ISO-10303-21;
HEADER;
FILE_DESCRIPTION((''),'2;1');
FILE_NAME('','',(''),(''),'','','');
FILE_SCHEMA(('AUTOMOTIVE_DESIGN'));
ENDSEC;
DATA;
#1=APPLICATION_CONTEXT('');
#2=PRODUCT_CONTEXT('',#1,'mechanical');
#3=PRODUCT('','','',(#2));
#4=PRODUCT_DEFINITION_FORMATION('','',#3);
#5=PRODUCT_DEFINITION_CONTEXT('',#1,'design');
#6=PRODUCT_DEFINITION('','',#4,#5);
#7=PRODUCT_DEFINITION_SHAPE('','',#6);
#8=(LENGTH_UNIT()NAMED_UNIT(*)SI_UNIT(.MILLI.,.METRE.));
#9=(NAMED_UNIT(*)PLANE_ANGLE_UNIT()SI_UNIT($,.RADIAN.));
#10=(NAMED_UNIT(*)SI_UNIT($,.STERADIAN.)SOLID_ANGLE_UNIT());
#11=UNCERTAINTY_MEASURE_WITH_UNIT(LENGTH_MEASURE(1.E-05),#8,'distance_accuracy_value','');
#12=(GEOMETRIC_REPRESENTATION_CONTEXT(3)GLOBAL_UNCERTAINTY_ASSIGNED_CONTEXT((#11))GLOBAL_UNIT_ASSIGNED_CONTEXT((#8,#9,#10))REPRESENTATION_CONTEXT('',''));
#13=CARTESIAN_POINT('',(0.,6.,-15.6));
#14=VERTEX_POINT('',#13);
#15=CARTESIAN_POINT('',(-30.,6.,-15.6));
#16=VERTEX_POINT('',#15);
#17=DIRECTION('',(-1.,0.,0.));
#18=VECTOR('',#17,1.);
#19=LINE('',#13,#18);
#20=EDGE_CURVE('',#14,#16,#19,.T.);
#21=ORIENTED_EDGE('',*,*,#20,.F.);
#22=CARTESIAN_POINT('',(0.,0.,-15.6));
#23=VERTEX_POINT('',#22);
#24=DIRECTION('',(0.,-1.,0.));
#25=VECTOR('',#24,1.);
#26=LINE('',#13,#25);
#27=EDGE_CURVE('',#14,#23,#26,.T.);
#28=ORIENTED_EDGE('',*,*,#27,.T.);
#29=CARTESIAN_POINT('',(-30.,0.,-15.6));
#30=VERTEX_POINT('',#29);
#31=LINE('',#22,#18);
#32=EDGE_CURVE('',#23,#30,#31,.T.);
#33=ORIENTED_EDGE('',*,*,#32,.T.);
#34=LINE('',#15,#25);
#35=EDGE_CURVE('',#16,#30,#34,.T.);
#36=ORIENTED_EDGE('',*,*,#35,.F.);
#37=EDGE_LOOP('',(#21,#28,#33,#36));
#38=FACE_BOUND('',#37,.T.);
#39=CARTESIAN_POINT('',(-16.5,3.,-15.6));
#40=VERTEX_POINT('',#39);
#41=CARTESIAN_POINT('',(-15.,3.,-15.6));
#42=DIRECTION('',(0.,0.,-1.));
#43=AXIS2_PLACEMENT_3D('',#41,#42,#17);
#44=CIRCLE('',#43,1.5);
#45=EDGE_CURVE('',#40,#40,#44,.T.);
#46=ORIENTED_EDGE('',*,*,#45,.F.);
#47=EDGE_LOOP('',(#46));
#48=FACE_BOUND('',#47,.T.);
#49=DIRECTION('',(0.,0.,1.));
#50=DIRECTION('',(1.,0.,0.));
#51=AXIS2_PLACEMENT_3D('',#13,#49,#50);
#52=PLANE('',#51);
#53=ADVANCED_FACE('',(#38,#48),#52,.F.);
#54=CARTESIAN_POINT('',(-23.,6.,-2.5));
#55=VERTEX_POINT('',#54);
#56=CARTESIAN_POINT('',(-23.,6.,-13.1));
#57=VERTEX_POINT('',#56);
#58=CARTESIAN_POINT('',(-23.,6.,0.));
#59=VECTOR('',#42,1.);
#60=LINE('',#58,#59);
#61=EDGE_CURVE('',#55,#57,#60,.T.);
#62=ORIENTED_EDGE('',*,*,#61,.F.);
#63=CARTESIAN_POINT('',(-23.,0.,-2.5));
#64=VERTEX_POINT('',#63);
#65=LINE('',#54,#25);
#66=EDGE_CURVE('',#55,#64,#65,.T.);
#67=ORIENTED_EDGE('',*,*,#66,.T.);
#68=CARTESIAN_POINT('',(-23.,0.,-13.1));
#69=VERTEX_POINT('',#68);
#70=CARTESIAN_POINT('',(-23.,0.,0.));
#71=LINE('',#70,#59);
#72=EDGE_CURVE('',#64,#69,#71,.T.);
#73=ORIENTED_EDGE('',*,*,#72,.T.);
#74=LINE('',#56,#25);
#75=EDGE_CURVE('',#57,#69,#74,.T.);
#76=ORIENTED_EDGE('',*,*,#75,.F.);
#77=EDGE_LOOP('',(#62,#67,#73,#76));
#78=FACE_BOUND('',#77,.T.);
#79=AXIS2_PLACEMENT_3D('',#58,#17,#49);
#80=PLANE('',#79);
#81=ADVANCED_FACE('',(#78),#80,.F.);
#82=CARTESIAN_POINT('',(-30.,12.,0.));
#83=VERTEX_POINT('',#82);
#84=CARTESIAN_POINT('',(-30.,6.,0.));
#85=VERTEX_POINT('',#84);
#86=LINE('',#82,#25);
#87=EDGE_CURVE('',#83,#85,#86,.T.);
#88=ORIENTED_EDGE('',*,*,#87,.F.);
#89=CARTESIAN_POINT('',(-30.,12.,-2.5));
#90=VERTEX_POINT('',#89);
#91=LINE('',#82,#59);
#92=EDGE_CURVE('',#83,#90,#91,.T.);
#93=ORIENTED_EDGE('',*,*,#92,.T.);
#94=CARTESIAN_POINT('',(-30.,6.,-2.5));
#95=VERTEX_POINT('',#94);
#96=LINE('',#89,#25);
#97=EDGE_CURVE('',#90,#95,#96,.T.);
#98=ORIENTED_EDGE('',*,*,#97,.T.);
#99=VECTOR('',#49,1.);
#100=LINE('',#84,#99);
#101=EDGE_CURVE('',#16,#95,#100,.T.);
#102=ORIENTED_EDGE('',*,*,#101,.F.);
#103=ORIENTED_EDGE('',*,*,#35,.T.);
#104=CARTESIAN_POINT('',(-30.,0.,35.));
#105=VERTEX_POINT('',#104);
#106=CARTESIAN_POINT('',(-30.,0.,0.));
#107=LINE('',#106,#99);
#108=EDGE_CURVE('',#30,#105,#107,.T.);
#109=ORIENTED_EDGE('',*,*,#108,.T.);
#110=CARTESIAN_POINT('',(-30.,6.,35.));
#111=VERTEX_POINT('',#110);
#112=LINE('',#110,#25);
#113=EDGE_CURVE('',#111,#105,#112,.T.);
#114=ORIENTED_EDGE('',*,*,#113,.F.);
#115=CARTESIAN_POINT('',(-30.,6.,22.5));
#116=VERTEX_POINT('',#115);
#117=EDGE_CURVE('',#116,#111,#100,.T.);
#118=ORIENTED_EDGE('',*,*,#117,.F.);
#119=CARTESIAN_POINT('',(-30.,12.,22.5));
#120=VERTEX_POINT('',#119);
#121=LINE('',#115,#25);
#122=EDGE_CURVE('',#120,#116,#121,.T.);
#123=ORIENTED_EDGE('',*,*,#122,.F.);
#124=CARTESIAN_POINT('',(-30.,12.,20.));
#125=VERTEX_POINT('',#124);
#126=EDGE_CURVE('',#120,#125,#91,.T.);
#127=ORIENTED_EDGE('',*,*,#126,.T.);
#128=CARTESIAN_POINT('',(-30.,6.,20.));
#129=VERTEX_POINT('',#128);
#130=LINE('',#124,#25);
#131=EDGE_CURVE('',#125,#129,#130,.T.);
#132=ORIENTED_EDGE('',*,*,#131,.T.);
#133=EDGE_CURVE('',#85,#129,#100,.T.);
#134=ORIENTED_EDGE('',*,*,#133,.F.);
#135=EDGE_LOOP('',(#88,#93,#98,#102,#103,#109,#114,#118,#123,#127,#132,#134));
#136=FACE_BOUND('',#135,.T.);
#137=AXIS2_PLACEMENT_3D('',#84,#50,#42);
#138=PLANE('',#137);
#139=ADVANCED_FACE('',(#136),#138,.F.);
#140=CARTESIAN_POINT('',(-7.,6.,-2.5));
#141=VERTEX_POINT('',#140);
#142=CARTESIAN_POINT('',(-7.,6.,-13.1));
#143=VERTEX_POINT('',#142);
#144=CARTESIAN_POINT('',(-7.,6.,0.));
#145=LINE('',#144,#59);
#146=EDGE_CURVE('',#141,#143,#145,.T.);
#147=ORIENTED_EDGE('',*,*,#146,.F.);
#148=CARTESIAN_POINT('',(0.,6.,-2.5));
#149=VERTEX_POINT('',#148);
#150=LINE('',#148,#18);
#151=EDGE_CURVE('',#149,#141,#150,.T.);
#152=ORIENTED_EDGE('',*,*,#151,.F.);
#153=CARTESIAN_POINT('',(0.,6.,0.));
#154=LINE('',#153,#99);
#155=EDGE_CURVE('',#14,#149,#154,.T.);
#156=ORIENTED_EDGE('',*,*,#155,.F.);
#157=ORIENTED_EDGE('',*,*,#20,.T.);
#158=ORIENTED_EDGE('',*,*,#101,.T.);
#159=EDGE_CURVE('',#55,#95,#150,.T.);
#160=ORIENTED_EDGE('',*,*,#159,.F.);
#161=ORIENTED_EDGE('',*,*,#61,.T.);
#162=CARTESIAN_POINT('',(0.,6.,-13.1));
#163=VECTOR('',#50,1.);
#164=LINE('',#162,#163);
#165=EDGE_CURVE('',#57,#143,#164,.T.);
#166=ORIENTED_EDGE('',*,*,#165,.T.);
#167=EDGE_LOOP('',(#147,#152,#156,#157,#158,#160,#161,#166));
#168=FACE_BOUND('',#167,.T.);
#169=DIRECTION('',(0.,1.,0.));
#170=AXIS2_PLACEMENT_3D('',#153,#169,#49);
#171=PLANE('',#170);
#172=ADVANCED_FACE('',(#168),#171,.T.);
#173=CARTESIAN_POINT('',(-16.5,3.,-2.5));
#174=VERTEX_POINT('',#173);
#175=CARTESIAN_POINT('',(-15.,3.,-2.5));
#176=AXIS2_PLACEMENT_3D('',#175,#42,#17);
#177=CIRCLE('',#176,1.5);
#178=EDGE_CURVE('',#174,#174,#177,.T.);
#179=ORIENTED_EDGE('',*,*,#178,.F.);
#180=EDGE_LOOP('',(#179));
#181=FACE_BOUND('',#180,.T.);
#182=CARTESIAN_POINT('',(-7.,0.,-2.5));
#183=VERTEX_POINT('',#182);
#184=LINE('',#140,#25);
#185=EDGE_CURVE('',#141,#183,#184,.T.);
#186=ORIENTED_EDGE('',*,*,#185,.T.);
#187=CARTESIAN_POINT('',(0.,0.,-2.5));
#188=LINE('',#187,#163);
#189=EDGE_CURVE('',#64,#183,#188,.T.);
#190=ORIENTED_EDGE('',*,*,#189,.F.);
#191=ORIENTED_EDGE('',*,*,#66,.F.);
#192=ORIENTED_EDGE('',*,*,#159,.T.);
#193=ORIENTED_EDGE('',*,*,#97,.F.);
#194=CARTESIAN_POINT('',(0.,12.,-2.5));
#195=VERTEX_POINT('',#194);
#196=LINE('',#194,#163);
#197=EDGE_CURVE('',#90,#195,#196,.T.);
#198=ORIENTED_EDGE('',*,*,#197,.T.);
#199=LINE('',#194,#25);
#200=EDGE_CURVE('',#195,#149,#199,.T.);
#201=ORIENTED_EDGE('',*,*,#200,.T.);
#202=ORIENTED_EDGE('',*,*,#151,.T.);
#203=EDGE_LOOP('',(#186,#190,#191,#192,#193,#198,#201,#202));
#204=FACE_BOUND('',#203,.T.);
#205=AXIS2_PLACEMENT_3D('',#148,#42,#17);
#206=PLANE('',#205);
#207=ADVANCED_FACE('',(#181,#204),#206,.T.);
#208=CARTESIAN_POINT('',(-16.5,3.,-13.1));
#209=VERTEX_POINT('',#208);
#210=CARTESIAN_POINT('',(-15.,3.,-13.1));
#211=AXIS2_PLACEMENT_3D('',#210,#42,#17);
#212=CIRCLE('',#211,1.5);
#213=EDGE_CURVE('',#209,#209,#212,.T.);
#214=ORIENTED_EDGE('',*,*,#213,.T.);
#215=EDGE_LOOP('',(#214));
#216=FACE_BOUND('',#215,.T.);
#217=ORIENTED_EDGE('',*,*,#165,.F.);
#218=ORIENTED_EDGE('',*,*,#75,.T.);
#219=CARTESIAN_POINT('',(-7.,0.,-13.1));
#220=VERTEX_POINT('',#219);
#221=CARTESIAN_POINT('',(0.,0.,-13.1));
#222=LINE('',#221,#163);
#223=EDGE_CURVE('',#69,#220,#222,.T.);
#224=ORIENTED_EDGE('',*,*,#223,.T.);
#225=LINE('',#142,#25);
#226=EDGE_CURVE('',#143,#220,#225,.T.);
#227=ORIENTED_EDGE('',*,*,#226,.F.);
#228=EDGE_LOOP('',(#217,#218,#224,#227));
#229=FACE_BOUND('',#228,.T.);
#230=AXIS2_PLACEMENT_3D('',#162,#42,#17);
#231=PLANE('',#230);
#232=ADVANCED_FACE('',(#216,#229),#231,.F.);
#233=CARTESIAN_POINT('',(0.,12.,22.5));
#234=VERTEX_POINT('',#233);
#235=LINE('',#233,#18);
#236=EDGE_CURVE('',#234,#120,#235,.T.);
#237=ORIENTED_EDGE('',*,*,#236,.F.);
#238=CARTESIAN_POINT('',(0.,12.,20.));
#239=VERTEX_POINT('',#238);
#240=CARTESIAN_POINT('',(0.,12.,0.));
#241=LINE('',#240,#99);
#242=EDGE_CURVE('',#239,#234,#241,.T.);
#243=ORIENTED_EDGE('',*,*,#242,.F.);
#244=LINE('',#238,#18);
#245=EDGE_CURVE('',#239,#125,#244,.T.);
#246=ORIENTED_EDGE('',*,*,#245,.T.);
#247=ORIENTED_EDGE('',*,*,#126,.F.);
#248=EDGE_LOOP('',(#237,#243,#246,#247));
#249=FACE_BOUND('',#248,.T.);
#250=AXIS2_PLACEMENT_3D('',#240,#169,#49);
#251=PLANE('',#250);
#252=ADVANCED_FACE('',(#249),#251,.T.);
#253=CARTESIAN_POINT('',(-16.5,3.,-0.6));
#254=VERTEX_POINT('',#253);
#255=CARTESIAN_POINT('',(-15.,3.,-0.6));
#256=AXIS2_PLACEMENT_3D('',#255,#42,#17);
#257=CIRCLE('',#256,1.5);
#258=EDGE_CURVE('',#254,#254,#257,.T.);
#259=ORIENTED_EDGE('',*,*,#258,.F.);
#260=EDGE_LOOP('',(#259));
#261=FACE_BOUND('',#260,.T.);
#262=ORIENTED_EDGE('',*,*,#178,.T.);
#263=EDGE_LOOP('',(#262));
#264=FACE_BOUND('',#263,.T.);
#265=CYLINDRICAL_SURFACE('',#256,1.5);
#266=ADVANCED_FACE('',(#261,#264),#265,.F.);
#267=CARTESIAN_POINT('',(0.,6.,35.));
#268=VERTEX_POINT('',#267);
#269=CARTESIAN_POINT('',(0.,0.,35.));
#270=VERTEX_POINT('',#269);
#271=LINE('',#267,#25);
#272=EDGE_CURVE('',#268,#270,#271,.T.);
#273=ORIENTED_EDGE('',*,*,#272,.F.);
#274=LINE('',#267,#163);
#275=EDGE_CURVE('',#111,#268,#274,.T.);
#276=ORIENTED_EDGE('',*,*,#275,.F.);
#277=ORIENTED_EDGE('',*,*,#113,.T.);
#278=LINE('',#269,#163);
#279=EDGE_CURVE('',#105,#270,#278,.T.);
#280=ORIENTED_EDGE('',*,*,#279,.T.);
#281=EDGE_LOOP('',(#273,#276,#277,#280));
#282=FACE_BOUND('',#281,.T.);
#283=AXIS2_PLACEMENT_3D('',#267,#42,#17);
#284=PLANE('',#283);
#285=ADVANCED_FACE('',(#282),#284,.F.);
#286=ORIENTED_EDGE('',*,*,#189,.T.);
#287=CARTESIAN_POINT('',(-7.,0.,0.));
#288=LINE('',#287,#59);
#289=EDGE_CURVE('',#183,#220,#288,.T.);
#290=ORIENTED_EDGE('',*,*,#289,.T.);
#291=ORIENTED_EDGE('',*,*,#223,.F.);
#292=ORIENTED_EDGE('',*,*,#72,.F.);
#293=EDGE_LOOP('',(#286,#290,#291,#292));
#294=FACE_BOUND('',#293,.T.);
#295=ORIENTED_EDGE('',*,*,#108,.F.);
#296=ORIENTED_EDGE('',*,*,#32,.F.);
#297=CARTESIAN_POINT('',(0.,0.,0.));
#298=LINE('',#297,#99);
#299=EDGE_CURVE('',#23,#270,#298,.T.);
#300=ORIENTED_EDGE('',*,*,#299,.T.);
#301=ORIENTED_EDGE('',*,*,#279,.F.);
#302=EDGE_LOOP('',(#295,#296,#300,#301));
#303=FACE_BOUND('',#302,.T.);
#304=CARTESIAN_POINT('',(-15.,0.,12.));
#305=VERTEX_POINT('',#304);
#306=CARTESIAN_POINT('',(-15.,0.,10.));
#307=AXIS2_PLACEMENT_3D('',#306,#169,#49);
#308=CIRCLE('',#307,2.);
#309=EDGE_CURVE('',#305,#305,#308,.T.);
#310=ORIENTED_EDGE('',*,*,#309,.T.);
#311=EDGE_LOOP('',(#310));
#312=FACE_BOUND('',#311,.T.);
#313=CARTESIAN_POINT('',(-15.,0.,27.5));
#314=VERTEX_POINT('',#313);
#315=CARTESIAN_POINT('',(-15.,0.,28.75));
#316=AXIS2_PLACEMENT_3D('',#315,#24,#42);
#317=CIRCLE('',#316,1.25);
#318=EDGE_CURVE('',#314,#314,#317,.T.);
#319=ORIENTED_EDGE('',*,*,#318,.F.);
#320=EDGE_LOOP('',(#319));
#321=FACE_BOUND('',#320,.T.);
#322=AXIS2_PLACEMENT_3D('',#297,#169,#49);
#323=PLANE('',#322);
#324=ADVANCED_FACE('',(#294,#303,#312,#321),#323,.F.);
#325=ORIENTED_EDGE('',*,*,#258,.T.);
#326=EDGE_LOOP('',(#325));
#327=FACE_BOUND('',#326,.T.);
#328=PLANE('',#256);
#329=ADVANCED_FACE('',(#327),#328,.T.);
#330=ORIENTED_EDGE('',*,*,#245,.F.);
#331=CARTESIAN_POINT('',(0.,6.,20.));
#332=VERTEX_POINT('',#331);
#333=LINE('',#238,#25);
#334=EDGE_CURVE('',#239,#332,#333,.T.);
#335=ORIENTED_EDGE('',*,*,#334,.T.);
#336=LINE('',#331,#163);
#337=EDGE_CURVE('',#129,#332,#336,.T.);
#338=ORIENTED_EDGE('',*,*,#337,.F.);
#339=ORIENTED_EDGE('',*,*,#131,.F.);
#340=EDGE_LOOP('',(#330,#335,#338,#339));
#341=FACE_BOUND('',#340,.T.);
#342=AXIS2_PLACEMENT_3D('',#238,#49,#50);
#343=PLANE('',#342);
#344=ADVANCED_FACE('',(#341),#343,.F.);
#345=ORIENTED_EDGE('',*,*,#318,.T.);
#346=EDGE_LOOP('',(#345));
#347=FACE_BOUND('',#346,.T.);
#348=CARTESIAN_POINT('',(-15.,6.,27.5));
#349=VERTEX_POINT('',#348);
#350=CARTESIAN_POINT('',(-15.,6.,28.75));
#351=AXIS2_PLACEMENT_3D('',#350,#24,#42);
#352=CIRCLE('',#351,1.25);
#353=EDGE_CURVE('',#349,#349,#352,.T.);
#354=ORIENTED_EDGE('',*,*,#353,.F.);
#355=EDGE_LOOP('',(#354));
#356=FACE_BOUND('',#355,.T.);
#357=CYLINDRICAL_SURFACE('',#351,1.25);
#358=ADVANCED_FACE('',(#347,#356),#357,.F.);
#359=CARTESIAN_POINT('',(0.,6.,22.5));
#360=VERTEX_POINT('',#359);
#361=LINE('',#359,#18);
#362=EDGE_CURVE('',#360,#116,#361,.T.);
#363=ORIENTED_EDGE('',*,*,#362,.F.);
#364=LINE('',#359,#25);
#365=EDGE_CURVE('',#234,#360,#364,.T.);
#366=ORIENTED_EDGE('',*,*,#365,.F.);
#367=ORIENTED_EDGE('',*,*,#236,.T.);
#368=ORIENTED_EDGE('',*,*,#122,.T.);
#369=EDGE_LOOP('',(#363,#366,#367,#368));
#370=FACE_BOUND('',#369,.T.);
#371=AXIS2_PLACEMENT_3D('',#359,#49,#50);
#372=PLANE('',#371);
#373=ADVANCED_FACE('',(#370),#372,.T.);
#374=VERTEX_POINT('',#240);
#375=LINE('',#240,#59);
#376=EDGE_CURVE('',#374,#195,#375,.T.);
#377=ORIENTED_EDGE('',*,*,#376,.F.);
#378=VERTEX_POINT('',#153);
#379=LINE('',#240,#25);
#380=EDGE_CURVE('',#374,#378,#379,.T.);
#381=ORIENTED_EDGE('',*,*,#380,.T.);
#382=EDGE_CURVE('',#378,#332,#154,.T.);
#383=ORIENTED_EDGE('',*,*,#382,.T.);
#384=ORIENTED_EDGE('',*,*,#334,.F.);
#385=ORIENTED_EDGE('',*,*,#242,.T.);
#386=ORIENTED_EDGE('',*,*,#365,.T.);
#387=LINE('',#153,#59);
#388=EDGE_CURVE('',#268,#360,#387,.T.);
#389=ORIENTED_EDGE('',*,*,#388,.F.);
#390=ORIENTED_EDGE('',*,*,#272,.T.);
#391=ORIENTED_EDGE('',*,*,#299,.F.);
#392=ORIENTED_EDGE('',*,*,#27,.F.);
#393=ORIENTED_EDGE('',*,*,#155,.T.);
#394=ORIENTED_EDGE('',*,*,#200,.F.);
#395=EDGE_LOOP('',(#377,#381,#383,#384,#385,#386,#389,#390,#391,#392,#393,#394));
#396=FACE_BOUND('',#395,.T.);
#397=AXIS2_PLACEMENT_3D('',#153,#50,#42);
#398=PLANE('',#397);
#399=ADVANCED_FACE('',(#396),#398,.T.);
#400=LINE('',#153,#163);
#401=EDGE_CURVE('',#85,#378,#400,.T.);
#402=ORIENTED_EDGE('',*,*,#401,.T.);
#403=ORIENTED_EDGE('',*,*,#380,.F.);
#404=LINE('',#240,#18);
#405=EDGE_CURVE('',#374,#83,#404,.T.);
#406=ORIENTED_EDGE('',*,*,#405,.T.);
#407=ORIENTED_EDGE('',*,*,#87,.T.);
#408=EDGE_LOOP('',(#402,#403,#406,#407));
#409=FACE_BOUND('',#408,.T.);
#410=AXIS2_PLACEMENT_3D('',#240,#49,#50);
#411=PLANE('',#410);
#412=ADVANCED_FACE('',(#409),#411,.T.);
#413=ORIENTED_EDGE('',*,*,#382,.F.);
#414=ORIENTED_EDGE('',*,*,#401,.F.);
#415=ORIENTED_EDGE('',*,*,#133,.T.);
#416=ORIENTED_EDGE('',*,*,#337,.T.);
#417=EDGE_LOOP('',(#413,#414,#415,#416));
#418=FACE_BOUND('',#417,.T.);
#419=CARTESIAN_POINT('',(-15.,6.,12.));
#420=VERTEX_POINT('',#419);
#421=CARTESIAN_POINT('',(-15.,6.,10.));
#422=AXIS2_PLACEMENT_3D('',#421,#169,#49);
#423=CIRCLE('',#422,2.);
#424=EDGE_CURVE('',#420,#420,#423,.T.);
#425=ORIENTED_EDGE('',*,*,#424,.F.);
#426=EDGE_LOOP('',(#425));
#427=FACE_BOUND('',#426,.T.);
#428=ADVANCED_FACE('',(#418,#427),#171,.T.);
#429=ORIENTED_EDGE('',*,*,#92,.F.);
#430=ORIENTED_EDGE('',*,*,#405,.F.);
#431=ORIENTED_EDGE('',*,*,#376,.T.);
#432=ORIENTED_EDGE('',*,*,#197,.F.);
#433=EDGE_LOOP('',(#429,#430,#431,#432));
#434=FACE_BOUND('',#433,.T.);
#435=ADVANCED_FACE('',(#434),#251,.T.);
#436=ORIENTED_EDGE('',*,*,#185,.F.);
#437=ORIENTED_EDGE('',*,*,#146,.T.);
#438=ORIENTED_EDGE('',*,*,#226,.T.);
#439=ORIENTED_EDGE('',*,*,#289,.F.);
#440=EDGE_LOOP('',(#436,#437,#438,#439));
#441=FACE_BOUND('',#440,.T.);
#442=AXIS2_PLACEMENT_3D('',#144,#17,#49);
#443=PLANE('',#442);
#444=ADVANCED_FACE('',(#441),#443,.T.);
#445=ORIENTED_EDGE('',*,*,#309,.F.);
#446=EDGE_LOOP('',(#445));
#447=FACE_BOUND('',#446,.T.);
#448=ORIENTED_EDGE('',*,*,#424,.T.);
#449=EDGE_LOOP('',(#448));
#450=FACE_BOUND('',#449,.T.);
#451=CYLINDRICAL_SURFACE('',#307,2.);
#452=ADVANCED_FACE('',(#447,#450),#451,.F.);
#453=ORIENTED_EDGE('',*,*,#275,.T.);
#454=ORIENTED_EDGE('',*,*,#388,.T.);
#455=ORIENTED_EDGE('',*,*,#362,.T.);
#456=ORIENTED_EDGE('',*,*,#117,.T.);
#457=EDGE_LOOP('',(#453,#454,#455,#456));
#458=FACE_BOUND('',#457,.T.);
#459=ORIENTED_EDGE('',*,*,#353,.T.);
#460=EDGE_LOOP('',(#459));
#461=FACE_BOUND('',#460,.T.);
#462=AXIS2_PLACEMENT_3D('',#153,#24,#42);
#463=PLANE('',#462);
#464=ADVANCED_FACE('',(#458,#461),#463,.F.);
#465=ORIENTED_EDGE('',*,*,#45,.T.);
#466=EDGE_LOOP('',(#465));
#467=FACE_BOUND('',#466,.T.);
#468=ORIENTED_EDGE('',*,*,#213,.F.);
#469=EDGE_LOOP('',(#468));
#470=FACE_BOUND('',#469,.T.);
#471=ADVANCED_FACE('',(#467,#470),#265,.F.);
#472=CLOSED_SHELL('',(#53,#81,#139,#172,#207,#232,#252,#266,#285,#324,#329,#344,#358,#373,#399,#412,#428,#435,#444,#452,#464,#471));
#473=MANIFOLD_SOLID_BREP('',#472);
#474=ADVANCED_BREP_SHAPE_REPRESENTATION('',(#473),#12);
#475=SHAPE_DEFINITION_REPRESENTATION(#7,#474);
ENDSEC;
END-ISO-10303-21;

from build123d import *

# Parameters (mm, degrees)
SKETCH1_W           = 30
SKETCH1_H           = 38.1
SKETCH1_W_2         = 16
SKETCH1_H_2         = 10.6
BOSS_EXTRUDE1_DEPTH = 6
SKETCH1_3_W         = 30
SKETCH1_3_H         = 2.5
BOSS_EXTRUDE2_DEPTH = 12
SKETCH3_R           = 1.5
CUT_EXTRUDE2_DEPTH  = 15
SKETCH2_R           = 2
CUT_EXTRUDE1_DEPTH  = 38.976966704
SKETCH5_W           = 30
SKETCH5_H           = 12.5
SKETCH5_R           = 1.25
BOSS_EXTRUDE3_DEPTH = 6


with BuildPart() as part:
    # Sketch1 → Boss-Extrude1 (new body)
    with BuildSketch(Plane(origin=(0, 0, 0), x_dir=(1, 0, 0), z_dir=(0, 1, 0))):
        with Locations((-15, -3.45)):
            Rectangle(SKETCH1_W, SKETCH1_H)
        with Locations((-15, 7.8)):
            Rectangle(SKETCH1_W_2, SKETCH1_H_2, mode=Mode.SUBTRACT)
    extrude(amount=BOSS_EXTRUDE1_DEPTH)

    # Sketch1<3> → Boss-Extrude2 (add)
    with BuildSketch(Plane(origin=(0, 0, 0), x_dir=(1, 0, 0), z_dir=(0, 1, 0))):
        with Locations((-15, -21.25)):
            Rectangle(SKETCH1_3_W, SKETCH1_3_H)
        with Locations((-15, 1.25)):
            Rectangle(SKETCH1_3_W, SKETCH1_3_H)
    extrude(amount=BOSS_EXTRUDE2_DEPTH)

    # Sketch3 → Cut-Extrude2 (cut)
    with BuildSketch(Plane(origin=(0, 0, -15.6), x_dir=(-1, 0, 0), z_dir=(0, 0, -1))):
        with Locations((15, 3)):
            Circle(SKETCH3_R)
    extrude(amount=-CUT_EXTRUDE2_DEPTH, mode=Mode.SUBTRACT)

    # Sketch2 → Cut-Extrude1 (cut, through all)
    with BuildSketch(Plane(origin=(0, 6, 0), x_dir=(1, 0, 0), z_dir=(0, 1, 0))):
        with Locations((-15, -10)):
            Circle(SKETCH2_R)
    extrude(amount=-CUT_EXTRUDE1_DEPTH, mode=Mode.SUBTRACT)

    # Sketch5 → Boss-Extrude3 (add)
    with BuildSketch(Plane.XZ):
        with Locations((-15, 28.75)):
            Rectangle(SKETCH5_W, SKETCH5_H)
        with Locations((-15, 28.75)):
            Circle(SKETCH5_R, mode=Mode.SUBTRACT)
    extrude(amount=-BOSS_EXTRUDE3_DEPTH)


solid = part.part
